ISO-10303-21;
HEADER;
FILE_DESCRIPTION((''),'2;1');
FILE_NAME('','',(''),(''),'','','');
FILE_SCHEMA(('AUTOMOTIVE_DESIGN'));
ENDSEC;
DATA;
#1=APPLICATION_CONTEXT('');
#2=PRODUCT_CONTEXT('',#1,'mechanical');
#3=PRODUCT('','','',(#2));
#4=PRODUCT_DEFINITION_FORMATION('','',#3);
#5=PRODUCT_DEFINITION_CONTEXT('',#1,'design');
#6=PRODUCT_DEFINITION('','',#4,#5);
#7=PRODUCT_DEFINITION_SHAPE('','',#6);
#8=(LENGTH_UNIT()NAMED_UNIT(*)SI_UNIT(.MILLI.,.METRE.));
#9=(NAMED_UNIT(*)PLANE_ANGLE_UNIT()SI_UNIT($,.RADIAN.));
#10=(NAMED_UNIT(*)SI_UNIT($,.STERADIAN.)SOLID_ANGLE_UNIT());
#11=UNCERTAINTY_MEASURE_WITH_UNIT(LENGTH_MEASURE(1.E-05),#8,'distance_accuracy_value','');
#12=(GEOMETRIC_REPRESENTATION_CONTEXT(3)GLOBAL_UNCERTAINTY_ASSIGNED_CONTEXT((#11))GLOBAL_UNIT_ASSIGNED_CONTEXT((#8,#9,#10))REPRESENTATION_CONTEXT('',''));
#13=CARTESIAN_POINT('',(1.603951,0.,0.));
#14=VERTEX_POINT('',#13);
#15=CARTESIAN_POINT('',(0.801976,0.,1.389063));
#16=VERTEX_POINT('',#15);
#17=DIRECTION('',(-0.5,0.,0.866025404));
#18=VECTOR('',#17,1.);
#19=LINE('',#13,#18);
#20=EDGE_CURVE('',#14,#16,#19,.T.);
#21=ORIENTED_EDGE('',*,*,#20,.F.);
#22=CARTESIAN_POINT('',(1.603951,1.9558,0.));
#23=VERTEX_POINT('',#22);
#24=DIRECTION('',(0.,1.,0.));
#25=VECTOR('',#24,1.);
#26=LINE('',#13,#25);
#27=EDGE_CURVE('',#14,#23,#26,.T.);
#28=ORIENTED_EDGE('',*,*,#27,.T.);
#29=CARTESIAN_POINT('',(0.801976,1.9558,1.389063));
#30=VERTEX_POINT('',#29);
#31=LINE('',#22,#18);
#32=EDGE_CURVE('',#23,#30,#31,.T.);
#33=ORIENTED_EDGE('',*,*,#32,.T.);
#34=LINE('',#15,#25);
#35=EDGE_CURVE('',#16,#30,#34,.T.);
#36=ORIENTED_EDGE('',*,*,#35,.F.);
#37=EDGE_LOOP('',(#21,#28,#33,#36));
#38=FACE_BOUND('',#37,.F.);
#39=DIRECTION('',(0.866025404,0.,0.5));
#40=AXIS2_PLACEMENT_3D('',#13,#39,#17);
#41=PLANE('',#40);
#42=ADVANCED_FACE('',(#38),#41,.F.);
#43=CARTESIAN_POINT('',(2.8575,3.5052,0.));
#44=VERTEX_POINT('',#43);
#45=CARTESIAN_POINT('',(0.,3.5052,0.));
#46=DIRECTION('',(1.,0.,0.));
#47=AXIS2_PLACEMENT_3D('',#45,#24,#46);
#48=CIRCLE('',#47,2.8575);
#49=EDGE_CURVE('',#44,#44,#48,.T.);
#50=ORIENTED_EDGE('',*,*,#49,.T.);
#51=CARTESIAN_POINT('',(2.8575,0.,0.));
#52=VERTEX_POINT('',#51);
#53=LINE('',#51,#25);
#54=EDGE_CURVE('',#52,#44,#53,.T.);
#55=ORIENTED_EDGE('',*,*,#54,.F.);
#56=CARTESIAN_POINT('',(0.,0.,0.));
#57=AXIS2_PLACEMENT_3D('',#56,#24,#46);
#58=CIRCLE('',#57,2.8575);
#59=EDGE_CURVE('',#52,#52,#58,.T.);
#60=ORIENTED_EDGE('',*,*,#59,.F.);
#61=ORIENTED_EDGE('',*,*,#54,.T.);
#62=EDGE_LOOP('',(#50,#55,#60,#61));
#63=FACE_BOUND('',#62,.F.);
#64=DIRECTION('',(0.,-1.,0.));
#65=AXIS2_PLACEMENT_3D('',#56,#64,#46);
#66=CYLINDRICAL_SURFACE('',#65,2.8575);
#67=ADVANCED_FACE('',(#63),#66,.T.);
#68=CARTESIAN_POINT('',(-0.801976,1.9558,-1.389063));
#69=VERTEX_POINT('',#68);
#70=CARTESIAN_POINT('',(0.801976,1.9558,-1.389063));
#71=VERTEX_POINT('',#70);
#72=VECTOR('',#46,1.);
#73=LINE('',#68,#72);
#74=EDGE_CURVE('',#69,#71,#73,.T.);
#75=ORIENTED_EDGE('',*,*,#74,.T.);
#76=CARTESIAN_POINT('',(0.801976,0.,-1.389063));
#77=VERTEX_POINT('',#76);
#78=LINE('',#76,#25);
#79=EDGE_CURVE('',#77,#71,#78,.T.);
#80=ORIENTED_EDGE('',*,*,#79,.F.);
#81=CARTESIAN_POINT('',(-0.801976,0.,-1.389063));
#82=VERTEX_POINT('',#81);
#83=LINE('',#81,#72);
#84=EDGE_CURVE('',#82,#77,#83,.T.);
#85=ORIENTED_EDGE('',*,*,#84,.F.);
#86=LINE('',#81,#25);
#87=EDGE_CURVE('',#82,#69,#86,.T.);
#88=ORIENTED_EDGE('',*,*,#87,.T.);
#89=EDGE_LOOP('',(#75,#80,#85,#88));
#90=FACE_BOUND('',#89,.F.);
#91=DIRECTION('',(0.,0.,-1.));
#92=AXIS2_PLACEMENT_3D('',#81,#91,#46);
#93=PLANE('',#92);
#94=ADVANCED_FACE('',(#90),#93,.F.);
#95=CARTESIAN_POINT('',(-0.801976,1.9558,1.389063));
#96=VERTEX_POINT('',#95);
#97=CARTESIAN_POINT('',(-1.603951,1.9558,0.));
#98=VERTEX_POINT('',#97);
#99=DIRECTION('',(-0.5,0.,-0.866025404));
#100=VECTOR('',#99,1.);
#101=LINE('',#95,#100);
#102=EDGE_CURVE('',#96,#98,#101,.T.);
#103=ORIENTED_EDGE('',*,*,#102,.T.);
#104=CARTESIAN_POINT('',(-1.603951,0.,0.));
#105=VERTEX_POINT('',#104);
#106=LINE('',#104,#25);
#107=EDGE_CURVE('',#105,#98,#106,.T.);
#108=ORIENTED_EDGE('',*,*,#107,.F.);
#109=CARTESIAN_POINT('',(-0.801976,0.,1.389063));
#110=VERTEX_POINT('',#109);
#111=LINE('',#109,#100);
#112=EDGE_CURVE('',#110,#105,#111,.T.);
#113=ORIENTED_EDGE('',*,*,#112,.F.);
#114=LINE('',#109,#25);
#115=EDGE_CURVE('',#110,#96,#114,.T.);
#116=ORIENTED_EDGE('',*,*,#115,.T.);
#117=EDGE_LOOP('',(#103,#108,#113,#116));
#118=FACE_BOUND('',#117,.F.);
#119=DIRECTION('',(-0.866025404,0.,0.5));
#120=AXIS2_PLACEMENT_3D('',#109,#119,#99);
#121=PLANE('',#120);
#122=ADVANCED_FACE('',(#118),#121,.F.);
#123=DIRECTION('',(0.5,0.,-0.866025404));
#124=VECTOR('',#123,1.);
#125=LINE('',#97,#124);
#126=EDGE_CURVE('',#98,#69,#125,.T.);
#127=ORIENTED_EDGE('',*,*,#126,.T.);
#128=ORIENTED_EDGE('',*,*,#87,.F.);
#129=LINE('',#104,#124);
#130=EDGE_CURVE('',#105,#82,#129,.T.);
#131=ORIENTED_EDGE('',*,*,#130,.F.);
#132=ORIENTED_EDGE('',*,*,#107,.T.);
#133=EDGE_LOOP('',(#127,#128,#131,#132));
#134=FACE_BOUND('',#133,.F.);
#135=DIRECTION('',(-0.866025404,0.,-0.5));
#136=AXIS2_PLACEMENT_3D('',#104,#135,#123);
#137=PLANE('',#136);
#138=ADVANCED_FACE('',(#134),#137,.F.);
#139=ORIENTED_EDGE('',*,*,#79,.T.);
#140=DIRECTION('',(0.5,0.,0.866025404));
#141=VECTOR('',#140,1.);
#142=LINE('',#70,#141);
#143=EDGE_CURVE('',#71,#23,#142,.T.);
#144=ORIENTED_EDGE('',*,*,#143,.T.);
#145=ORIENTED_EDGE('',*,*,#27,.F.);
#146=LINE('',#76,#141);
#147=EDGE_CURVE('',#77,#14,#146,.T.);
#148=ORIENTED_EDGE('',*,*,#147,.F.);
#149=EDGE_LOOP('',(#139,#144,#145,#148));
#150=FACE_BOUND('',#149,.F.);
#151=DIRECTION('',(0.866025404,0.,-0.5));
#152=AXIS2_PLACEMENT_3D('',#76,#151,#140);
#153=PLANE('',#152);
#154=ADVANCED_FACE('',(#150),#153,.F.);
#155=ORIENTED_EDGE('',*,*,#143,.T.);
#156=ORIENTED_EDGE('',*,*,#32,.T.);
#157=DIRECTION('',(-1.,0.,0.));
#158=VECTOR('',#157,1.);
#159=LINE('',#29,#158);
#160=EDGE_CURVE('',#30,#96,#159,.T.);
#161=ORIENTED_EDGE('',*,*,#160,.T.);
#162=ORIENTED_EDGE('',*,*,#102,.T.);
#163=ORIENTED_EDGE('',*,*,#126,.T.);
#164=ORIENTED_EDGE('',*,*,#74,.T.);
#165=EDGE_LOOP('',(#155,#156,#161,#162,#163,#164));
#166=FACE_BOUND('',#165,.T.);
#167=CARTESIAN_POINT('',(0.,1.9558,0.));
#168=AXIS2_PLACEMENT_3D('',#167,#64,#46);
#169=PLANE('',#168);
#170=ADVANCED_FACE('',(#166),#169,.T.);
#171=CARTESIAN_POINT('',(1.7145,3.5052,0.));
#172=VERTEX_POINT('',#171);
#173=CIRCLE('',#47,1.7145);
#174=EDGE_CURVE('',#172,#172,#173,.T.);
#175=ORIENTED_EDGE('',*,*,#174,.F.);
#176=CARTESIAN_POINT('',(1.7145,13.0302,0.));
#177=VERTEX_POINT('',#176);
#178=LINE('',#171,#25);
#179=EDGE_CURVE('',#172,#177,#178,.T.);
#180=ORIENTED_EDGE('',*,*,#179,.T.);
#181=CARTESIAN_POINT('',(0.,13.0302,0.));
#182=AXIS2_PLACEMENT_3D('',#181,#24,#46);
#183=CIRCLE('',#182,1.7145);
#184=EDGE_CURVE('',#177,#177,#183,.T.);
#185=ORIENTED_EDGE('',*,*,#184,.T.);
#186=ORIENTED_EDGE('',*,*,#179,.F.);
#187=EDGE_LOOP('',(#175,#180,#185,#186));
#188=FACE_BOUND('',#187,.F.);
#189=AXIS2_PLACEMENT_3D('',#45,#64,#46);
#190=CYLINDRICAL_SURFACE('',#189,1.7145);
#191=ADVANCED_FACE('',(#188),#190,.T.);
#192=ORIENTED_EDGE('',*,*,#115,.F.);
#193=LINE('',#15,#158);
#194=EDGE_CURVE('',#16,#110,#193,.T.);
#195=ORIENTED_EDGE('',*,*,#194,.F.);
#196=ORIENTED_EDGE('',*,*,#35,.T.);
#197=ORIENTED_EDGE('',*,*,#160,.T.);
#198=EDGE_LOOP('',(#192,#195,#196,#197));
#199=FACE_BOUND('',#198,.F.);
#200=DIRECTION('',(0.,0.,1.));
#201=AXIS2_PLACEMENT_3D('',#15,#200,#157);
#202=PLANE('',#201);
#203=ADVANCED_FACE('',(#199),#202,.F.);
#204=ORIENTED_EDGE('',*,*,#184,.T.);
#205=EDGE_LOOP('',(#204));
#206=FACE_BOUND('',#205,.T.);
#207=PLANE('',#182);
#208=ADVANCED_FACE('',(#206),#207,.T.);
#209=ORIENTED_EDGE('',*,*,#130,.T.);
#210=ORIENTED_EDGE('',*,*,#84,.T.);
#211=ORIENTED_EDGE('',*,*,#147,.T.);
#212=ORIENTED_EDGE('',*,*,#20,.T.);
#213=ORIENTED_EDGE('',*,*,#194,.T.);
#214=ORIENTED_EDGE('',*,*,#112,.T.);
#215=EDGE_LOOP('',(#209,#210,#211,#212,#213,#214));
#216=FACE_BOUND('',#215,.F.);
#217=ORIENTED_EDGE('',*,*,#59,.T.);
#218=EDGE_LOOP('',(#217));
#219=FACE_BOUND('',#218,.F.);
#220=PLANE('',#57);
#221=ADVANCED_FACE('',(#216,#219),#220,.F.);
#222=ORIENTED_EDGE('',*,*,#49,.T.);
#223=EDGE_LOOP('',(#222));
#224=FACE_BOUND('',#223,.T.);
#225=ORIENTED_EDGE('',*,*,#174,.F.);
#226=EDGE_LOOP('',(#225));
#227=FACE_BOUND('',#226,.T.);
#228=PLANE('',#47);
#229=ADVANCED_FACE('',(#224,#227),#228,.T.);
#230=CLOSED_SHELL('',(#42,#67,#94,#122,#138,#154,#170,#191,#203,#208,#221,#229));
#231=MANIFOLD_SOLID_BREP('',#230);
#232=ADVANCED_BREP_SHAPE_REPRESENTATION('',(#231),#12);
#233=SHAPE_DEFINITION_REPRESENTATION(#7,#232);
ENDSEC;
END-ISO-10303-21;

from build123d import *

# Parameters (mm, degrees)
SKETCH1_R           = 2.8575
BOSS_EXTRUDE1_DEPTH = 3.5052
CUT_EXTRUDE1_DEPTH  = 1.9558
SKETCH3_R           = 1.7145
BOSS_EXTRUDE2_DEPTH = 9.525


with BuildPart() as part:
    # Sketch1 → Boss-Extrude1 (new body)
    with BuildSketch(Plane(origin=(0, 0, 0), x_dir=(1, 0, 0), z_dir=(0, 1, 0))):
        Circle(SKETCH1_R)
    extrude(amount=BOSS_EXTRUDE1_DEPTH)

    # Sketch2 → Cut-Extrude1 (cut)
    with BuildSketch(Plane.XZ):
        Polygon((1.603951217, 0), (0.801975608, 1.3890625), (-0.801975608, 1.3890625), (-1.603951217, 0), (-0.801975608, -1.3890625), (0.801975608, -1.3890625), align=None)
    extrude(amount=-CUT_EXTRUDE1_DEPTH, mode=Mode.SUBTRACT)

    # Sketch3 → Boss-Extrude2 (add)
    with BuildSketch(Plane(origin=(0, 3.5052, 0), x_dir=(1, 0, 0), z_dir=(0, 1, 0))):
        Circle(SKETCH3_R)
    extrude(amount=BOSS_EXTRUDE2_DEPTH)


solid = part.part
